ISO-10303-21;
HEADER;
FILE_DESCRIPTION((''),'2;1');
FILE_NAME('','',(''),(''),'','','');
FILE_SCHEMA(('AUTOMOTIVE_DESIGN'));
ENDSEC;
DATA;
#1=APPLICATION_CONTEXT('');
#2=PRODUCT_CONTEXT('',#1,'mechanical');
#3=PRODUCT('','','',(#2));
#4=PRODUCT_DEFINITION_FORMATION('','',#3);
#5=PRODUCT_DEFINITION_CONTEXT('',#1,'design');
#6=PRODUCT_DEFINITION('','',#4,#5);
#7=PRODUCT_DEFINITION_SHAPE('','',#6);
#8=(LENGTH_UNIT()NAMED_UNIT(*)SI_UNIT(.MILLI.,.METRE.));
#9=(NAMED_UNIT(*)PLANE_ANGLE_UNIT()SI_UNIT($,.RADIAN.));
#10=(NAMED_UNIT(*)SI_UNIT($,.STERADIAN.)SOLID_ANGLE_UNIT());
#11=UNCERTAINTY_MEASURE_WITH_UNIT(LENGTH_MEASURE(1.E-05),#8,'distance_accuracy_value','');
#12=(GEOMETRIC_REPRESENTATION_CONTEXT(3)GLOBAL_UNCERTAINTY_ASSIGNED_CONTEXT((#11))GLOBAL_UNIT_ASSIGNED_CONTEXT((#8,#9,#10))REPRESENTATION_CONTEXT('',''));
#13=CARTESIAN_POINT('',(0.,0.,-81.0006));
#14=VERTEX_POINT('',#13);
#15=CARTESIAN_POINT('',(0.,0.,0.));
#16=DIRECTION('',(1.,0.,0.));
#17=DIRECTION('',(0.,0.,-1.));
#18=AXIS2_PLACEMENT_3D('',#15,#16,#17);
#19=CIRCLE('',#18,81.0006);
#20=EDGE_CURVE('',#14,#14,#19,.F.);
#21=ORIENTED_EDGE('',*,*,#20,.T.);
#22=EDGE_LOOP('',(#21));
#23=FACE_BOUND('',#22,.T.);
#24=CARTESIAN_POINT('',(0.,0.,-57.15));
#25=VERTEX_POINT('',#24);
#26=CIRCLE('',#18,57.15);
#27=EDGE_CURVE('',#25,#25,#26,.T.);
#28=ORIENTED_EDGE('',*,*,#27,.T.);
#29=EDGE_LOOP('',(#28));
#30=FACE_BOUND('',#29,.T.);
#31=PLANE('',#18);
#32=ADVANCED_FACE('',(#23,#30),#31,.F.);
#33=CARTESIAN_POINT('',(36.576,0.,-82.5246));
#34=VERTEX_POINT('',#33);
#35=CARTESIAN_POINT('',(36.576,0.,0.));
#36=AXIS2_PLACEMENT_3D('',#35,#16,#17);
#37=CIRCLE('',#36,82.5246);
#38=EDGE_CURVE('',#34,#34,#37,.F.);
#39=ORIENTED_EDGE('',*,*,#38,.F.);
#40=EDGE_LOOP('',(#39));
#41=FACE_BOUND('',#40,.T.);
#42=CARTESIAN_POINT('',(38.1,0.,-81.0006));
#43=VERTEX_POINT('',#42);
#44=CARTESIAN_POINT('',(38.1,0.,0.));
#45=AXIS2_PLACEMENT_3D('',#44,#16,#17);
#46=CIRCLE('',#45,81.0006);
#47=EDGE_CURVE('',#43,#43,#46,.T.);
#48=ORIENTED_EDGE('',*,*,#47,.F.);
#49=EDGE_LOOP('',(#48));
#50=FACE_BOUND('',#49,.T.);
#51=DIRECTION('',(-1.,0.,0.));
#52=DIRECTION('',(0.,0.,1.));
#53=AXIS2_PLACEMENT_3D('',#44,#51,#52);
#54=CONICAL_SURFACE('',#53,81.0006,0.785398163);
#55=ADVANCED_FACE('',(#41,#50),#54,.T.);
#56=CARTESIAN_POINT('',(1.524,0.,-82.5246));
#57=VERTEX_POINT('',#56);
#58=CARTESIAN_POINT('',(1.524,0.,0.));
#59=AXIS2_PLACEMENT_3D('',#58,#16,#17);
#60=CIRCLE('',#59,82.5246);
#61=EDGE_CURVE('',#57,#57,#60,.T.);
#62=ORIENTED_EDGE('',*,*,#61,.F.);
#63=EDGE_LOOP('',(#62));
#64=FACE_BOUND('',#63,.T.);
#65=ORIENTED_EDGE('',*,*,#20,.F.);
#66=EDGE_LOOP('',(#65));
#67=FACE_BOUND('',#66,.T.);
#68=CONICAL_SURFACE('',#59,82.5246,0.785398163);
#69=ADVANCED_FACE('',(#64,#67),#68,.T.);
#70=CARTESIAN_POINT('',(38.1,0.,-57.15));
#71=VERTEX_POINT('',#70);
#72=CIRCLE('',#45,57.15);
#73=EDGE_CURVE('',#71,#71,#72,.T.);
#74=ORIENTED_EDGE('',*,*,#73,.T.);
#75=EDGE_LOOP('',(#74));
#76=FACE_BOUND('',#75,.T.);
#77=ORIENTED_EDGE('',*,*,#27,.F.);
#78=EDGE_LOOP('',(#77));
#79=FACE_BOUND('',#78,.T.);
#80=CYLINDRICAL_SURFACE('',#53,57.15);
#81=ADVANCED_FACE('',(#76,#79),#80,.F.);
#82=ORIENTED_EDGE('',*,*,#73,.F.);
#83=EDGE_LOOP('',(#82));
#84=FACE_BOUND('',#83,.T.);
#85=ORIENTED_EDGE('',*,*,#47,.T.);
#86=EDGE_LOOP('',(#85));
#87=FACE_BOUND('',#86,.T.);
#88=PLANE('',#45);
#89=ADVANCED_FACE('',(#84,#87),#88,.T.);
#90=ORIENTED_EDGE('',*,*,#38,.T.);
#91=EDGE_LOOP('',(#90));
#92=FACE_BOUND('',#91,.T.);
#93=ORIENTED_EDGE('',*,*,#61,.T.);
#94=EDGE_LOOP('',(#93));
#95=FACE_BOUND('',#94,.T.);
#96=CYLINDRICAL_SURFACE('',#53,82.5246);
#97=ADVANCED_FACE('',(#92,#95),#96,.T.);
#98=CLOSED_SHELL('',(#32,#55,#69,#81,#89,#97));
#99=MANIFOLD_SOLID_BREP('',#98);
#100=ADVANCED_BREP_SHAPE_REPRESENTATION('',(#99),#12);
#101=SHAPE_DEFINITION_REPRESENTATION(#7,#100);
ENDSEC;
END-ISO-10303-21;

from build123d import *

# Parameters (mm, degrees)
SKETCH1_R           = 82.5246
BOSS_EXTRUDE1_DEPTH = 38.1
SKETCH2_R           = 57.15
CUT_EXTRUDE1_DEPTH  = 38.1
CHAMFER1_SIZE       = 1.524


with BuildPart() as part:
    # Sketch1 → Boss-Extrude1 (new body)
    with BuildSketch(Plane.YZ):
        with Locations(Location((0, 0, 0), (0, 0, 270))):
            Circle(SKETCH1_R)
    extrude(amount=BOSS_EXTRUDE1_DEPTH)

    # Sketch2 → Cut-Extrude1 (cut)
    with BuildSketch(Plane.YZ):
        with Locations(Location((0, 0, 0), (0, 0, 270))):
            Circle(SKETCH2_R)
    extrude(amount=CUT_EXTRUDE1_DEPTH, mode=Mode.SUBTRACT)

    # Chamfer1
    chamfer1_edges = [part.edges().sort_by_distance(p)[0] for p in [
        (0, 0, 82.5246),
        (38.1, 0, 82.5246),
    ]]
    chamfer(chamfer1_edges, length=CHAMFER1_SIZE)


solid = part.part
